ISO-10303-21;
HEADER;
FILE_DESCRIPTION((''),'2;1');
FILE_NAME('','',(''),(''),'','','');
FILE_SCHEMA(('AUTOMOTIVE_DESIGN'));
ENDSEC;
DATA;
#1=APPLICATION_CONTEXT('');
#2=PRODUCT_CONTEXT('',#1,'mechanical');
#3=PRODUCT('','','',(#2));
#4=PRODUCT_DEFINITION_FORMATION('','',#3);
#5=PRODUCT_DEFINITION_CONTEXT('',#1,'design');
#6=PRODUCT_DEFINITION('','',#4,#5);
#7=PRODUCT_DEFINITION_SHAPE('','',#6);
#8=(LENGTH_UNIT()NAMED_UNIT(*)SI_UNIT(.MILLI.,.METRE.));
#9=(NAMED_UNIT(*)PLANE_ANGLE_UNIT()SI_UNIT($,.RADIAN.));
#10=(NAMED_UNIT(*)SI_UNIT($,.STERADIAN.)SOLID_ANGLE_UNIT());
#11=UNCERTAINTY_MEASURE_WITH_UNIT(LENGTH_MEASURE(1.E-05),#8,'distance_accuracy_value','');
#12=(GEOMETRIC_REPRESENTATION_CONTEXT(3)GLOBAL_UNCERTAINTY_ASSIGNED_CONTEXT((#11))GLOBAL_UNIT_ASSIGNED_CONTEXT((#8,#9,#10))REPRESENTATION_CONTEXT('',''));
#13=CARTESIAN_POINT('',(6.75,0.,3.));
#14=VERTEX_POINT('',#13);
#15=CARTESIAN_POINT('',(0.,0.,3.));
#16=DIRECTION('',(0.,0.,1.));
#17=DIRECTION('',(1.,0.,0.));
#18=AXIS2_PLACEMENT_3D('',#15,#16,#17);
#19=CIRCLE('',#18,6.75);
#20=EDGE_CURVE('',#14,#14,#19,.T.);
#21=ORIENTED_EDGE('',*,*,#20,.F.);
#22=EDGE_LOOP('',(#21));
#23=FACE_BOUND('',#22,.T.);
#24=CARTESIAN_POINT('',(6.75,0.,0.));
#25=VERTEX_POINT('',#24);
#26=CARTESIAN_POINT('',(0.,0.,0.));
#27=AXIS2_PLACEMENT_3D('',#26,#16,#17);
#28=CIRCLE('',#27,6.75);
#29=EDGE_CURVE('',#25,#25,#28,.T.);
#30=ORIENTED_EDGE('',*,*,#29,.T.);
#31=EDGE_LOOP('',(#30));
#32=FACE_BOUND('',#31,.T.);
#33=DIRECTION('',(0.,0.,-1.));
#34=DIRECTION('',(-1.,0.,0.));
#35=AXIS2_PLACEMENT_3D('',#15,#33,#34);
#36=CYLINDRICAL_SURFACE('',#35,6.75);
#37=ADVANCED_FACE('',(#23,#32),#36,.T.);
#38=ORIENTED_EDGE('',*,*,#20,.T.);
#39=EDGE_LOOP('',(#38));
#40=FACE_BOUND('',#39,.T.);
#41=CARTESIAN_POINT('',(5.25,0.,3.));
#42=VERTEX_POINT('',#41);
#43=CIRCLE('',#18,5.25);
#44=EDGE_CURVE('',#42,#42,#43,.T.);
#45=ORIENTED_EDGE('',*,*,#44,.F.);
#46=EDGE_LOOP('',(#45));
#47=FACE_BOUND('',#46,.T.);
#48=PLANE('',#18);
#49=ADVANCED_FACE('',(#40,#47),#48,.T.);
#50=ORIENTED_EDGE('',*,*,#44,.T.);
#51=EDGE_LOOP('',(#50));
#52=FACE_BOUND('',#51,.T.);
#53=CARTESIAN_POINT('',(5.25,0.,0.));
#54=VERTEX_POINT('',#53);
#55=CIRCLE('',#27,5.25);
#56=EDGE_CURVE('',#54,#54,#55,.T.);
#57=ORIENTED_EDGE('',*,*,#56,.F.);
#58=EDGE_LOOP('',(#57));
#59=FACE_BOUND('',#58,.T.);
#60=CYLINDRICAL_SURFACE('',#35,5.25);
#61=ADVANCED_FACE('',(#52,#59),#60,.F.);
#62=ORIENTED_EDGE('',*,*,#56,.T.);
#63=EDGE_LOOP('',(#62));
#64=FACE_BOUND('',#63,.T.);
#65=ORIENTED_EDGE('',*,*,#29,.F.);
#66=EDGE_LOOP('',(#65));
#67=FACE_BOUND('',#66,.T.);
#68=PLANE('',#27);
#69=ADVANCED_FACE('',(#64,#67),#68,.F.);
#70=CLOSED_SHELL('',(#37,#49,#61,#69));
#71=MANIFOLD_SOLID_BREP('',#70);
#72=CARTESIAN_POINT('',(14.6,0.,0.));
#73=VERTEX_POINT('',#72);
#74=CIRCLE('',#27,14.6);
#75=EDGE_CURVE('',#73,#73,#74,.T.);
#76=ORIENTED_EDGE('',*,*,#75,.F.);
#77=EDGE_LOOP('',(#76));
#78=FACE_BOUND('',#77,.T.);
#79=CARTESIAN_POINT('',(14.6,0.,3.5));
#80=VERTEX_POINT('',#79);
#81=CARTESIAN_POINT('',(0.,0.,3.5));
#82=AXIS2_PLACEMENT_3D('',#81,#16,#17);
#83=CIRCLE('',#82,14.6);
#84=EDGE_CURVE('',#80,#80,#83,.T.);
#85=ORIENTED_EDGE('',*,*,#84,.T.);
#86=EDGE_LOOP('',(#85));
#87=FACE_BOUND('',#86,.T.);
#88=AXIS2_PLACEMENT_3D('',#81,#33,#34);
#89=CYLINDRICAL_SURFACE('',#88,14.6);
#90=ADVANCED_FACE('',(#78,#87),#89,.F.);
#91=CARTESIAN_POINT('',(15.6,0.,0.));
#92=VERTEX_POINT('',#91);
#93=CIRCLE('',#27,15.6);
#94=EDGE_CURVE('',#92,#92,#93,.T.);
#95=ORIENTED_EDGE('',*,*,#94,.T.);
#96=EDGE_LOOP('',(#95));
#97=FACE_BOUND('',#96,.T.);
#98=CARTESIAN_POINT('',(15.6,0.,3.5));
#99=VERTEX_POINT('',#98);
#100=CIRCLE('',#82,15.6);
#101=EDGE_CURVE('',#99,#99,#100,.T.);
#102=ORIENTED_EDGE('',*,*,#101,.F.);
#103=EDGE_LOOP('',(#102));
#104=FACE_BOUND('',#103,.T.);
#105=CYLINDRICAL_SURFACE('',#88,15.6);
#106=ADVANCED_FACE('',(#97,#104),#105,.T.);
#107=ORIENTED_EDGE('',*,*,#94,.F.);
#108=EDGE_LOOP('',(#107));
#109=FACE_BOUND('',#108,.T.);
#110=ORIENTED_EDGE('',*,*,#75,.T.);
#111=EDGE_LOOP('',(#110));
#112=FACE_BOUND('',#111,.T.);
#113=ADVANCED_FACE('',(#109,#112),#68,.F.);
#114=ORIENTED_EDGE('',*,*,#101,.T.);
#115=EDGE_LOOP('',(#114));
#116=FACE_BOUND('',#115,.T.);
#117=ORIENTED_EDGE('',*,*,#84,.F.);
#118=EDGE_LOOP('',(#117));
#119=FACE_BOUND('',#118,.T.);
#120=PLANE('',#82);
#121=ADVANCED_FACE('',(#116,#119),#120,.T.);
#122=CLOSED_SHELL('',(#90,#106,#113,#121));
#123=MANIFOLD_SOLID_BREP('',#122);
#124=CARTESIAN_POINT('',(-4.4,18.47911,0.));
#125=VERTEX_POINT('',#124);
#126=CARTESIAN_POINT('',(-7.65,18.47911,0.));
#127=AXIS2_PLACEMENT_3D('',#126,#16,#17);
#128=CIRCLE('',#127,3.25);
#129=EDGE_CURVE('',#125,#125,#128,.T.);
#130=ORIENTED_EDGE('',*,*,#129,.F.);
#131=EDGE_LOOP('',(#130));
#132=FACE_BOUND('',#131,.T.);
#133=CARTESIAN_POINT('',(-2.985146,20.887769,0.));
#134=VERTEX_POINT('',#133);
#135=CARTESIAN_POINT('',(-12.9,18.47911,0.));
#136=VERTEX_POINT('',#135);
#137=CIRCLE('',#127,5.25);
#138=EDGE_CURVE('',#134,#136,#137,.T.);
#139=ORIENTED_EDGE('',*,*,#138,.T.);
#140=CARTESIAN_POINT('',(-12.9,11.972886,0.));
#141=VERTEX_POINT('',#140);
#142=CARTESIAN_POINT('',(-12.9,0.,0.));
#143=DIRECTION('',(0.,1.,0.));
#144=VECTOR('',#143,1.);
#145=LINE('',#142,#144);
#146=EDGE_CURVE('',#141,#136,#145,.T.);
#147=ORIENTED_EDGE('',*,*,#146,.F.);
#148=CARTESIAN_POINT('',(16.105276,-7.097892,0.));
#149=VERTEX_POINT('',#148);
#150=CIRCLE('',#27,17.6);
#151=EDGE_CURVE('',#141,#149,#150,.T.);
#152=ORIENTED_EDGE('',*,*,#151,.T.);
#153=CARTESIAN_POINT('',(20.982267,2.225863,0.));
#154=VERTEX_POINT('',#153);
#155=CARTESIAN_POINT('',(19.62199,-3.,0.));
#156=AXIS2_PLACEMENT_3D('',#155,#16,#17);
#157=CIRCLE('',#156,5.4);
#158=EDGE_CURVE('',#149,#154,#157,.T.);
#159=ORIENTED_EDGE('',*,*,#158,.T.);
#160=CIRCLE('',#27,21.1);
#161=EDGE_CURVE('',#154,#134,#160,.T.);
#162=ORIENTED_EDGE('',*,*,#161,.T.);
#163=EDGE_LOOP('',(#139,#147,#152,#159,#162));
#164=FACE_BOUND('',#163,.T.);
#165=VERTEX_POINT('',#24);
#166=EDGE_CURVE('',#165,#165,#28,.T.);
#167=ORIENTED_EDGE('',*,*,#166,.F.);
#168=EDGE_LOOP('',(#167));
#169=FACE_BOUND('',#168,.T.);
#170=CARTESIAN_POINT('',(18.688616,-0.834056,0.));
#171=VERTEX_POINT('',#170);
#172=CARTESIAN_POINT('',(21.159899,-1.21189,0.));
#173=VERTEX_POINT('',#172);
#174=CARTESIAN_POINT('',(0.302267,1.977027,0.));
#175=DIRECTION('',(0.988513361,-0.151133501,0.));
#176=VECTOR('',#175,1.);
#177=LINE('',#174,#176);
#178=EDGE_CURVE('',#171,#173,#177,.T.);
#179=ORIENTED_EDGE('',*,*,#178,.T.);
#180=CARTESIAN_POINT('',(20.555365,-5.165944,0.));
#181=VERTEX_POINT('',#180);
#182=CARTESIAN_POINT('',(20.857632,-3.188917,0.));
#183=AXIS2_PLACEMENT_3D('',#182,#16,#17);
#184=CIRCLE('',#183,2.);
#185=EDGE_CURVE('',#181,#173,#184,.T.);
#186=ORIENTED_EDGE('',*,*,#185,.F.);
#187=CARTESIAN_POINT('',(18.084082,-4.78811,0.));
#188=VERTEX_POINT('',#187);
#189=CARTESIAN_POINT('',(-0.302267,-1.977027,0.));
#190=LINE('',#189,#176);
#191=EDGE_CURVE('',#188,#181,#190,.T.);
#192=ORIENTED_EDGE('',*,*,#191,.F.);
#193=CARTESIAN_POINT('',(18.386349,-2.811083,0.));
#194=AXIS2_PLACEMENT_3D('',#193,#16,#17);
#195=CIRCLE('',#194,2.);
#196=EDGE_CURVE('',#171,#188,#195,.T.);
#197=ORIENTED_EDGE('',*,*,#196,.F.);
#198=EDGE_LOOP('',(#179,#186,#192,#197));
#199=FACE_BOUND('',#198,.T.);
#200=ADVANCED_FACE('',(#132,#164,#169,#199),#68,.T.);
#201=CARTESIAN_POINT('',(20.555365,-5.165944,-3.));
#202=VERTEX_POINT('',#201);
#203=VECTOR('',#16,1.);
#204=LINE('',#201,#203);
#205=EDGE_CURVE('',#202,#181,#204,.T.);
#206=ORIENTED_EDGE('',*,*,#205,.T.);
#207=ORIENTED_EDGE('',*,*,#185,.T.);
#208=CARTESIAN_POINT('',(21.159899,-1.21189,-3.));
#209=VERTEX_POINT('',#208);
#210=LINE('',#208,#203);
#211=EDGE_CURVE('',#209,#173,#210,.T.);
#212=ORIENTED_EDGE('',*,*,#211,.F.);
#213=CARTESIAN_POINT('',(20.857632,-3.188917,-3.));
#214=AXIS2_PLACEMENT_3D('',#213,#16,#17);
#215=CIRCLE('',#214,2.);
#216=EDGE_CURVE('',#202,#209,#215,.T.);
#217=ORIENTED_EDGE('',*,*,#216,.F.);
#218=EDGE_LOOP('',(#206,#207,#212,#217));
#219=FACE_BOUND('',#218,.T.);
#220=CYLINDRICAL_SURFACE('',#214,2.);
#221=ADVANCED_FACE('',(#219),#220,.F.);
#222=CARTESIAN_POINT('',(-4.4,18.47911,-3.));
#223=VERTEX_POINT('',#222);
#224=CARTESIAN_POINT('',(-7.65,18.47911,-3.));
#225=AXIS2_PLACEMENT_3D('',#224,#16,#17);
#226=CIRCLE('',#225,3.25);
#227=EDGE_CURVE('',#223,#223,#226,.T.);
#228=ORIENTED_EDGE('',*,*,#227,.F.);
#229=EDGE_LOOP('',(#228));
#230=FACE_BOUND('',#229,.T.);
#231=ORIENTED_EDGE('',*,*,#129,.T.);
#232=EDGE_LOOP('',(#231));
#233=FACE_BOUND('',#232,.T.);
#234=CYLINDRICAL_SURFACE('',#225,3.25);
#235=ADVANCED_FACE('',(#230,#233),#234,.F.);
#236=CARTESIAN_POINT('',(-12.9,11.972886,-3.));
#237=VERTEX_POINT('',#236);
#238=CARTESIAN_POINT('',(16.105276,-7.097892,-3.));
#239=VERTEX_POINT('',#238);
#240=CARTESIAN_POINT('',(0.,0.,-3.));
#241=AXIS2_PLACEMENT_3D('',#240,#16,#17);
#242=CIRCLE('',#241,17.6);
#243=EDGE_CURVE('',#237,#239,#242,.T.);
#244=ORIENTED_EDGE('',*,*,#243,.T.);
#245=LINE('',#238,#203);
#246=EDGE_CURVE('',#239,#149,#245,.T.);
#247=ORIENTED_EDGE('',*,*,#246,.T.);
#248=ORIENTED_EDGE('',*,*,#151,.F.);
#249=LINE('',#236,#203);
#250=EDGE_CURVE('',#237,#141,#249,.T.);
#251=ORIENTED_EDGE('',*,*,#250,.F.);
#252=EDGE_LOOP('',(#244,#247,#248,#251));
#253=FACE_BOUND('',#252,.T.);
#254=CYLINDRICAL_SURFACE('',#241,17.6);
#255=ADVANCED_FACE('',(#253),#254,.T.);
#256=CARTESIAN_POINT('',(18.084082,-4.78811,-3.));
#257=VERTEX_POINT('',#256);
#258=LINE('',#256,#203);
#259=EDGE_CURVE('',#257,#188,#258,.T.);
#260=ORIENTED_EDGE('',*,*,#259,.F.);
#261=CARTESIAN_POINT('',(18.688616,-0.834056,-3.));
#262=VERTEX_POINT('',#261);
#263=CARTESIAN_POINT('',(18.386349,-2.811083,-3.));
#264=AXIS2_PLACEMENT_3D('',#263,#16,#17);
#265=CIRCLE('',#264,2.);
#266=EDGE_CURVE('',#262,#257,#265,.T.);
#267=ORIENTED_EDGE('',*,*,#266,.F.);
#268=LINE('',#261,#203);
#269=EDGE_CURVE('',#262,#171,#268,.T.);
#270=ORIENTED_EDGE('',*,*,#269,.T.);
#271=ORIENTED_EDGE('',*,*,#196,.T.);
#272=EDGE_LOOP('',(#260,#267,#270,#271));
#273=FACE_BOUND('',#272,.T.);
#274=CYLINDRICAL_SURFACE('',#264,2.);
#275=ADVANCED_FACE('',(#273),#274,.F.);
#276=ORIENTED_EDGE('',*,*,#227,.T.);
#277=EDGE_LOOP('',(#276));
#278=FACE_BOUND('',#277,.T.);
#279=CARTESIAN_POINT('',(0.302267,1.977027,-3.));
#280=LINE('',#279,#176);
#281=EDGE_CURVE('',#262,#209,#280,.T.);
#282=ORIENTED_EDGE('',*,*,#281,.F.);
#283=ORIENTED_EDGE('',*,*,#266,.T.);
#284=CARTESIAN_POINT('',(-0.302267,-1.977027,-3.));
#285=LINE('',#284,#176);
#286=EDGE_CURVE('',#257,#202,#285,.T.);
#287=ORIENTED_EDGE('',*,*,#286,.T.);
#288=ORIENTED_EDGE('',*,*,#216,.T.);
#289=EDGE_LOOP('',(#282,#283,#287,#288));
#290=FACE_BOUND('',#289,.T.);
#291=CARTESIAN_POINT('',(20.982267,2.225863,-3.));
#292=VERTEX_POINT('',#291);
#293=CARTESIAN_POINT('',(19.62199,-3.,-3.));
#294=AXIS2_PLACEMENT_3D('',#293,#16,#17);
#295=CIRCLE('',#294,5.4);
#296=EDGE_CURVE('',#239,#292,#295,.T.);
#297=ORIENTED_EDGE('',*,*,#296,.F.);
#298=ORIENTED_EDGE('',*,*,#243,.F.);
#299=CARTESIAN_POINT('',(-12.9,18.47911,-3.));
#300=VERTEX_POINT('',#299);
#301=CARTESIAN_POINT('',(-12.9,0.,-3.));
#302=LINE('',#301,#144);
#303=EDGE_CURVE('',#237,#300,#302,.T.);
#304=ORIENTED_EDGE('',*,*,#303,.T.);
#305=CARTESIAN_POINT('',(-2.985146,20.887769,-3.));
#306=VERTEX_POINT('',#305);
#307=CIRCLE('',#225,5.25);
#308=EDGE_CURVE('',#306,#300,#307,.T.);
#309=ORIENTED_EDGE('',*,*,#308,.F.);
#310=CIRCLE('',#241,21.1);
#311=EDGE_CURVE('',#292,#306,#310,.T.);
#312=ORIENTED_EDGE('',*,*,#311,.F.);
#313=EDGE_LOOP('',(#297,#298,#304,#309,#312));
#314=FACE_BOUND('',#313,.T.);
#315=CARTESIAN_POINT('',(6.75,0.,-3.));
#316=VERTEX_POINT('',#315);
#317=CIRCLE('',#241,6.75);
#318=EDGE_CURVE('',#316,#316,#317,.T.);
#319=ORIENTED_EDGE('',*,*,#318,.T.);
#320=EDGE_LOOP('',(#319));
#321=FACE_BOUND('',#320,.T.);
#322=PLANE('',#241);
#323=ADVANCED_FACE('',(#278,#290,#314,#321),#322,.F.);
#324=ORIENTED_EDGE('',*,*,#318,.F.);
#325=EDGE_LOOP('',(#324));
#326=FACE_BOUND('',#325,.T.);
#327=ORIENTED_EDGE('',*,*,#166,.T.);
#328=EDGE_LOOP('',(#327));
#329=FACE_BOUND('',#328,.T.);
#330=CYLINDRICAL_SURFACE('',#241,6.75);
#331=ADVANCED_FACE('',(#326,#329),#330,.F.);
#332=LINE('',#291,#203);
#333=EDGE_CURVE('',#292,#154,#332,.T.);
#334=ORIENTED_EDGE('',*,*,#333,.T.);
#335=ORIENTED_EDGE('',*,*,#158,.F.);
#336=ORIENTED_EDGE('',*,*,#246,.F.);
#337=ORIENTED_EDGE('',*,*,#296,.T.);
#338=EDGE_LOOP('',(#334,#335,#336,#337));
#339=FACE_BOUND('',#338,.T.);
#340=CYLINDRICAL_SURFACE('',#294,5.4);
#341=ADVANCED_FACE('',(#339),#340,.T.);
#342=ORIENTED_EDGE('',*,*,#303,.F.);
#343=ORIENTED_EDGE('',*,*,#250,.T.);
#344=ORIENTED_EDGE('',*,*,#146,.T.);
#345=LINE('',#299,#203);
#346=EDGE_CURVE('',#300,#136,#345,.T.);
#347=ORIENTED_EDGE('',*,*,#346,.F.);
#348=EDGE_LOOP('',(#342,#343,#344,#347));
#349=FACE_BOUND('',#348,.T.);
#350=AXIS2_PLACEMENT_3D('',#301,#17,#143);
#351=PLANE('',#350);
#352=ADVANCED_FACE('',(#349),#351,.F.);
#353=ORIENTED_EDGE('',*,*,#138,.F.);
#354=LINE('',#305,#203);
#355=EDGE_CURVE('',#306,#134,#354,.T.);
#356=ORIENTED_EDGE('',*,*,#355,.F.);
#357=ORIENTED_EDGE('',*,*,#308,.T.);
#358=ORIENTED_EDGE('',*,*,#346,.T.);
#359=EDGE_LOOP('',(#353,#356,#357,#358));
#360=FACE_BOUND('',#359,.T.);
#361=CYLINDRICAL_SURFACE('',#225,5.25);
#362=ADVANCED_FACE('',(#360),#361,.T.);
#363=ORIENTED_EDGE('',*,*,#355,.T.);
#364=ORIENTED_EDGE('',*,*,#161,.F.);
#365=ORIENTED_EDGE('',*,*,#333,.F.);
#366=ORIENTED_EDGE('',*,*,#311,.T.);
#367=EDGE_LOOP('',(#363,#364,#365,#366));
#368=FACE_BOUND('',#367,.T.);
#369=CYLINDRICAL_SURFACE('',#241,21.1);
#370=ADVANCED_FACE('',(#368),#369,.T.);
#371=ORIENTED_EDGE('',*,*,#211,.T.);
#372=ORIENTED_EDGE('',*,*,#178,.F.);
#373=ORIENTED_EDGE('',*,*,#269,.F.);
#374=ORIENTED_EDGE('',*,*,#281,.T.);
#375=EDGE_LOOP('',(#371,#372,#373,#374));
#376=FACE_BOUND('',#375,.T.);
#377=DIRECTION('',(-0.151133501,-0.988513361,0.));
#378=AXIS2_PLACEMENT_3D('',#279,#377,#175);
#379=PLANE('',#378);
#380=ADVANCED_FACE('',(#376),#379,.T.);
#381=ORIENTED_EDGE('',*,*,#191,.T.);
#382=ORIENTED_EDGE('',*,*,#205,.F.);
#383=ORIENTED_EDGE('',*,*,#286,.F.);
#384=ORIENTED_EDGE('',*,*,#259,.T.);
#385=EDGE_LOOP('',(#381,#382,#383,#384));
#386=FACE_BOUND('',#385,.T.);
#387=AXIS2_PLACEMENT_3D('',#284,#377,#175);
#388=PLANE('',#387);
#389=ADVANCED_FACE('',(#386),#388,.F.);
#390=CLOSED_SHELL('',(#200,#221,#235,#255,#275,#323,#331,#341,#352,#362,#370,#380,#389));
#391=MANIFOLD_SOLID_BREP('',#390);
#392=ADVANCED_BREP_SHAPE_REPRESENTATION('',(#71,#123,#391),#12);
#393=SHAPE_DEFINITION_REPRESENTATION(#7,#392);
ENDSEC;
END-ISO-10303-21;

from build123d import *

# Parameters (mm, degrees)
SKETCH_1_R      = 14.6
EXTRUDE_1_DEPTH = 3.5
SKETCH_1_4_R    = 6.75
SKETCH_1_4_R_2  = 5.25
EXTRUDE_2_DEPTH = 3
SKETCH_1_5_R    = 3.25
SKETCH_1_5_R_2  = 6.75
EXTRUDE_3_DEPTH = 3


with BuildPart() as part:
    # Эскиз1 → Бобышка-Вытянуть1 (new body)
    with BuildSketch(Plane.XY):
        with BuildLine():
            ThreePointArc((15.6, 0), (4.589117562, 14.909728368), (-12.9, 8.77211491))
            ThreePointArc((-12.9, 8.77211491), (-7.054522331, -13.91379584), (14.700159992, -5.221618161))
            ThreePointArc((14.700159992, -5.221618161), (15.373394158, -2.649292748), (15.6, 0))
        make_face()
        Circle(SKETCH_1_R, mode=Mode.SUBTRACT)
    extrude(amount=EXTRUDE_1_DEPTH)


with BuildPart() as body_2:
    # Эскиз1<4> → Бобышка-Вытянуть2 (new body)
    with BuildSketch(Plane.XY):
        Circle(SKETCH_1_4_R)
        Circle(SKETCH_1_4_R_2, mode=Mode.SUBTRACT)
    extrude(amount=EXTRUDE_2_DEPTH)


with BuildPart() as body_3:
    # Эскиз1<5> → Бобышка-Вытянуть3 (new body)
    with BuildSketch(Plane.XY):
        with BuildLine():
            ThreePointArc((-12.9, 11.972886035), (-9.669131149, -14.706049872), (16.105276229, -7.097892475))
            ThreePointArc((16.105276229, -7.097892475), (24.406931227, -5.50286626), (20.982267102, 2.225863258))
            ThreePointArc((20.982267102, 2.225863258), (12.963054137, 16.648400146), (-2.985146295, 20.887769187))
            ThreePointArc((-2.985146295, 20.887769187), (-8.889358312, 23.580726333), (-12.9, 18.479109827))
            Line((-12.9, 18.479109827), (-12.9, 11.972886035))
        make_face()
        with Locations((-7.65, 18.479109827)):
            Circle(SKETCH_1_5_R, mode=Mode.SUBTRACT)
        with BuildLine():
            Line((18.688615516, -0.834056402), (21.159898919, -1.211890155))
            ThreePointArc((21.159898919, -1.211890155), (22.834658638, -3.491183879), (20.555364914, -5.165943598))
            Line((20.555364914, -5.165943598), (18.084081511, -4.788109845))
            ThreePointArc((18.084081511, -4.788109845), (16.409321792, -2.508816121), (18.688615516, -0.834056402))
        make_face(mode=Mode.SUBTRACT)
        Circle(SKETCH_1_5_R_2, mode=Mode.SUBTRACT)
    extrude(amount=-EXTRUDE_3_DEPTH)


solid = Compound([part.part, body_2.part, body_3.part])
